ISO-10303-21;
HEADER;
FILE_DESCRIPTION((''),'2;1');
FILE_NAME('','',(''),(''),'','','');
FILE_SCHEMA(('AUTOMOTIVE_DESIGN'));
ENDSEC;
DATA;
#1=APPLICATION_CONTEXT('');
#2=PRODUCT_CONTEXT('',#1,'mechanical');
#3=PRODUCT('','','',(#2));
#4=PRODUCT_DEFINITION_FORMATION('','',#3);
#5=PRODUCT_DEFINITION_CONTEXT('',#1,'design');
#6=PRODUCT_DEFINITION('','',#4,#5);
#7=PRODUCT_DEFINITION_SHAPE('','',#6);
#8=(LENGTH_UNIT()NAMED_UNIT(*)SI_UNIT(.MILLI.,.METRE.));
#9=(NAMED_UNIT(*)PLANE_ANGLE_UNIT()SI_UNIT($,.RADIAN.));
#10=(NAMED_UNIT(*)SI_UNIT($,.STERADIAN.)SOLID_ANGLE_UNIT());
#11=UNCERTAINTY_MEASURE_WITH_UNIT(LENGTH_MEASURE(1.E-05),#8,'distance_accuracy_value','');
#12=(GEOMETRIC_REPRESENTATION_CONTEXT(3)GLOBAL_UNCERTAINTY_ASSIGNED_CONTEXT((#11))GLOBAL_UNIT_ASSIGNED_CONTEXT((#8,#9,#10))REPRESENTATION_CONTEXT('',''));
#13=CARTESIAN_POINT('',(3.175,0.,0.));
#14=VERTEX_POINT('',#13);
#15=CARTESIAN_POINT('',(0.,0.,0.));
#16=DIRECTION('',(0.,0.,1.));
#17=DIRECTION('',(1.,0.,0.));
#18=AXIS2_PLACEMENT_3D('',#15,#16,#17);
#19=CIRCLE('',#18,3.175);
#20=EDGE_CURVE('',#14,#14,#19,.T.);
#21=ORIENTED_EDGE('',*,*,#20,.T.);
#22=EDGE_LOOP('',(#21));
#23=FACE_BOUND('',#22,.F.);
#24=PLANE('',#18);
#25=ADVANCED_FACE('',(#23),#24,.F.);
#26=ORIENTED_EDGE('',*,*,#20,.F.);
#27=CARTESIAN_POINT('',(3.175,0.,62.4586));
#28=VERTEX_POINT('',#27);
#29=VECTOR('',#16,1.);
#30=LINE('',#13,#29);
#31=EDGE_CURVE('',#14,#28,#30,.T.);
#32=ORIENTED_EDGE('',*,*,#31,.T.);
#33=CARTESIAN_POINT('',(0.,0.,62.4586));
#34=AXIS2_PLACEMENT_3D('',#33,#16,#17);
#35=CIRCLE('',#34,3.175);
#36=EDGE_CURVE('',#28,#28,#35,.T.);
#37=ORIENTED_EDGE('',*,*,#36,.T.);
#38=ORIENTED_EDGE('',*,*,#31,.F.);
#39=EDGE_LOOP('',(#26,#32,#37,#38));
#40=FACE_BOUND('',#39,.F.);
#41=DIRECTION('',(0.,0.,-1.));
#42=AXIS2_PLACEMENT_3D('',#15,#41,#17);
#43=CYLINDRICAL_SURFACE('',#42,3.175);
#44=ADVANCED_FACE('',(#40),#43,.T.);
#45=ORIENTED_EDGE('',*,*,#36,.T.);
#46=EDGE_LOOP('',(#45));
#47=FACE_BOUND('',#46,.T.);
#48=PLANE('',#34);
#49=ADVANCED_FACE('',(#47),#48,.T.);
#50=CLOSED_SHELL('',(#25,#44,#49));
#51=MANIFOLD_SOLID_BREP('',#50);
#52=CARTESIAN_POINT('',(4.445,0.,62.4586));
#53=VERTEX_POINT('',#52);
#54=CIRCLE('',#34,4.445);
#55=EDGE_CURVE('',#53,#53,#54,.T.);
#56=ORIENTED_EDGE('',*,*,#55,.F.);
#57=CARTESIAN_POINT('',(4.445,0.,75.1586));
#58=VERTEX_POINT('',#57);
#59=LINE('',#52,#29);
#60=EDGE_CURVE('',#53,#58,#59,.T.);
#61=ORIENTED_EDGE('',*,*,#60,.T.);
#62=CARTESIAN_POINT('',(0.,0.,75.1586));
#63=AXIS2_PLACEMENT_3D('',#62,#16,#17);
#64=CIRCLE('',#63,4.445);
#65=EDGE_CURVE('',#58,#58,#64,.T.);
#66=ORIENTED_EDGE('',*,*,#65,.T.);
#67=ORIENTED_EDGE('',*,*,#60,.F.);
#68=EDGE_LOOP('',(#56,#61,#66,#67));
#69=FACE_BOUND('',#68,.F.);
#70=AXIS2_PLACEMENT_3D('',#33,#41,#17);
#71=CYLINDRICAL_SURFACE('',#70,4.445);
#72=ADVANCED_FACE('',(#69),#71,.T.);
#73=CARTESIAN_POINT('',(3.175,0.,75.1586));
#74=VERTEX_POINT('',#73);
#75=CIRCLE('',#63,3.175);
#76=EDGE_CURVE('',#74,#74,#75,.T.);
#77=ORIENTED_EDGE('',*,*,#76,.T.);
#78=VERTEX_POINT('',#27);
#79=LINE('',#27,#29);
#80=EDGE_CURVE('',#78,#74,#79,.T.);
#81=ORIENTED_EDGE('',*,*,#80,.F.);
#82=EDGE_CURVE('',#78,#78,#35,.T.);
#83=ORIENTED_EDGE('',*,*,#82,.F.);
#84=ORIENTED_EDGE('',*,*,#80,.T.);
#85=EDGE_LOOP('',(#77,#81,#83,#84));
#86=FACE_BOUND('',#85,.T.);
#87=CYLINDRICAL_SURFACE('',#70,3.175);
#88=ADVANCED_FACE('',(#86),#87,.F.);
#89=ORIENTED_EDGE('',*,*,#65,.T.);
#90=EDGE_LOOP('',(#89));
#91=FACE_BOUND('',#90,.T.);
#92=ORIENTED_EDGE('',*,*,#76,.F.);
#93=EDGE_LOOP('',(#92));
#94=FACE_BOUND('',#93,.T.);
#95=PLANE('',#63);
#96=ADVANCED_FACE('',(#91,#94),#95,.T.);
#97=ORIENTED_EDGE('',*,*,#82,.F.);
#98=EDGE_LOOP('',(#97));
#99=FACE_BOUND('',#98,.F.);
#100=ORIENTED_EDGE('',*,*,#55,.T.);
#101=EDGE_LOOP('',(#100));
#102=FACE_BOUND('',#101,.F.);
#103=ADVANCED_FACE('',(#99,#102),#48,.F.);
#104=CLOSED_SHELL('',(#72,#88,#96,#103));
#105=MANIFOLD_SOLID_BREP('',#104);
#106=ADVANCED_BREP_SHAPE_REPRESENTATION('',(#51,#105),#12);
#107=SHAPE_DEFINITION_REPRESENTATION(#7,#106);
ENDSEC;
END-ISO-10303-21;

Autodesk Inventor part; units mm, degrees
ref_plane "YZ Plane" through (0, 0, 0) normal (1, 0, 0) x (0, 1, 0)
ref_plane "XZ Plane" through (0, 0, 0) normal (0, 1, 0) x (-1, 0, 0)
ref_plane "XY Plane" through (0, 0, 0) normal (0, 0, 1) x (1, 0, 0)
sketch "Sketch1" plane through (0, 0, 0) normal (0, 0, 1) x (1, 0, 0)
  circle A0 centre (0, 0) radius 3.175
  dimension "d0" = 6.35
extrude "Extrusion1" add sketch "Sketch1" along normal blind 62.4586
thread "Thread1" size "1/4-20 UNC" class "2A" standard "ANSI Unified Screw Threads" full length
sketch "Sketch3" plane through (0, 0, 62.4586) normal (0, 0, 1) x (1, 0, 0)
  circle A0 centre (0, 0) radius 4.445
  circle A1 centre (0, 0) radius 3.175
  dimension "d8" = 8.89
  dimension "d9" = 6.35
extrude "Extrusion3" add sketch "Sketch3" along normal blind 12.7
thread "Thread2" size "1/4-20 UNC" class "2B" standard "ANSI Unified Screw Threads" full length
properties part number "Pedal Bolt"
